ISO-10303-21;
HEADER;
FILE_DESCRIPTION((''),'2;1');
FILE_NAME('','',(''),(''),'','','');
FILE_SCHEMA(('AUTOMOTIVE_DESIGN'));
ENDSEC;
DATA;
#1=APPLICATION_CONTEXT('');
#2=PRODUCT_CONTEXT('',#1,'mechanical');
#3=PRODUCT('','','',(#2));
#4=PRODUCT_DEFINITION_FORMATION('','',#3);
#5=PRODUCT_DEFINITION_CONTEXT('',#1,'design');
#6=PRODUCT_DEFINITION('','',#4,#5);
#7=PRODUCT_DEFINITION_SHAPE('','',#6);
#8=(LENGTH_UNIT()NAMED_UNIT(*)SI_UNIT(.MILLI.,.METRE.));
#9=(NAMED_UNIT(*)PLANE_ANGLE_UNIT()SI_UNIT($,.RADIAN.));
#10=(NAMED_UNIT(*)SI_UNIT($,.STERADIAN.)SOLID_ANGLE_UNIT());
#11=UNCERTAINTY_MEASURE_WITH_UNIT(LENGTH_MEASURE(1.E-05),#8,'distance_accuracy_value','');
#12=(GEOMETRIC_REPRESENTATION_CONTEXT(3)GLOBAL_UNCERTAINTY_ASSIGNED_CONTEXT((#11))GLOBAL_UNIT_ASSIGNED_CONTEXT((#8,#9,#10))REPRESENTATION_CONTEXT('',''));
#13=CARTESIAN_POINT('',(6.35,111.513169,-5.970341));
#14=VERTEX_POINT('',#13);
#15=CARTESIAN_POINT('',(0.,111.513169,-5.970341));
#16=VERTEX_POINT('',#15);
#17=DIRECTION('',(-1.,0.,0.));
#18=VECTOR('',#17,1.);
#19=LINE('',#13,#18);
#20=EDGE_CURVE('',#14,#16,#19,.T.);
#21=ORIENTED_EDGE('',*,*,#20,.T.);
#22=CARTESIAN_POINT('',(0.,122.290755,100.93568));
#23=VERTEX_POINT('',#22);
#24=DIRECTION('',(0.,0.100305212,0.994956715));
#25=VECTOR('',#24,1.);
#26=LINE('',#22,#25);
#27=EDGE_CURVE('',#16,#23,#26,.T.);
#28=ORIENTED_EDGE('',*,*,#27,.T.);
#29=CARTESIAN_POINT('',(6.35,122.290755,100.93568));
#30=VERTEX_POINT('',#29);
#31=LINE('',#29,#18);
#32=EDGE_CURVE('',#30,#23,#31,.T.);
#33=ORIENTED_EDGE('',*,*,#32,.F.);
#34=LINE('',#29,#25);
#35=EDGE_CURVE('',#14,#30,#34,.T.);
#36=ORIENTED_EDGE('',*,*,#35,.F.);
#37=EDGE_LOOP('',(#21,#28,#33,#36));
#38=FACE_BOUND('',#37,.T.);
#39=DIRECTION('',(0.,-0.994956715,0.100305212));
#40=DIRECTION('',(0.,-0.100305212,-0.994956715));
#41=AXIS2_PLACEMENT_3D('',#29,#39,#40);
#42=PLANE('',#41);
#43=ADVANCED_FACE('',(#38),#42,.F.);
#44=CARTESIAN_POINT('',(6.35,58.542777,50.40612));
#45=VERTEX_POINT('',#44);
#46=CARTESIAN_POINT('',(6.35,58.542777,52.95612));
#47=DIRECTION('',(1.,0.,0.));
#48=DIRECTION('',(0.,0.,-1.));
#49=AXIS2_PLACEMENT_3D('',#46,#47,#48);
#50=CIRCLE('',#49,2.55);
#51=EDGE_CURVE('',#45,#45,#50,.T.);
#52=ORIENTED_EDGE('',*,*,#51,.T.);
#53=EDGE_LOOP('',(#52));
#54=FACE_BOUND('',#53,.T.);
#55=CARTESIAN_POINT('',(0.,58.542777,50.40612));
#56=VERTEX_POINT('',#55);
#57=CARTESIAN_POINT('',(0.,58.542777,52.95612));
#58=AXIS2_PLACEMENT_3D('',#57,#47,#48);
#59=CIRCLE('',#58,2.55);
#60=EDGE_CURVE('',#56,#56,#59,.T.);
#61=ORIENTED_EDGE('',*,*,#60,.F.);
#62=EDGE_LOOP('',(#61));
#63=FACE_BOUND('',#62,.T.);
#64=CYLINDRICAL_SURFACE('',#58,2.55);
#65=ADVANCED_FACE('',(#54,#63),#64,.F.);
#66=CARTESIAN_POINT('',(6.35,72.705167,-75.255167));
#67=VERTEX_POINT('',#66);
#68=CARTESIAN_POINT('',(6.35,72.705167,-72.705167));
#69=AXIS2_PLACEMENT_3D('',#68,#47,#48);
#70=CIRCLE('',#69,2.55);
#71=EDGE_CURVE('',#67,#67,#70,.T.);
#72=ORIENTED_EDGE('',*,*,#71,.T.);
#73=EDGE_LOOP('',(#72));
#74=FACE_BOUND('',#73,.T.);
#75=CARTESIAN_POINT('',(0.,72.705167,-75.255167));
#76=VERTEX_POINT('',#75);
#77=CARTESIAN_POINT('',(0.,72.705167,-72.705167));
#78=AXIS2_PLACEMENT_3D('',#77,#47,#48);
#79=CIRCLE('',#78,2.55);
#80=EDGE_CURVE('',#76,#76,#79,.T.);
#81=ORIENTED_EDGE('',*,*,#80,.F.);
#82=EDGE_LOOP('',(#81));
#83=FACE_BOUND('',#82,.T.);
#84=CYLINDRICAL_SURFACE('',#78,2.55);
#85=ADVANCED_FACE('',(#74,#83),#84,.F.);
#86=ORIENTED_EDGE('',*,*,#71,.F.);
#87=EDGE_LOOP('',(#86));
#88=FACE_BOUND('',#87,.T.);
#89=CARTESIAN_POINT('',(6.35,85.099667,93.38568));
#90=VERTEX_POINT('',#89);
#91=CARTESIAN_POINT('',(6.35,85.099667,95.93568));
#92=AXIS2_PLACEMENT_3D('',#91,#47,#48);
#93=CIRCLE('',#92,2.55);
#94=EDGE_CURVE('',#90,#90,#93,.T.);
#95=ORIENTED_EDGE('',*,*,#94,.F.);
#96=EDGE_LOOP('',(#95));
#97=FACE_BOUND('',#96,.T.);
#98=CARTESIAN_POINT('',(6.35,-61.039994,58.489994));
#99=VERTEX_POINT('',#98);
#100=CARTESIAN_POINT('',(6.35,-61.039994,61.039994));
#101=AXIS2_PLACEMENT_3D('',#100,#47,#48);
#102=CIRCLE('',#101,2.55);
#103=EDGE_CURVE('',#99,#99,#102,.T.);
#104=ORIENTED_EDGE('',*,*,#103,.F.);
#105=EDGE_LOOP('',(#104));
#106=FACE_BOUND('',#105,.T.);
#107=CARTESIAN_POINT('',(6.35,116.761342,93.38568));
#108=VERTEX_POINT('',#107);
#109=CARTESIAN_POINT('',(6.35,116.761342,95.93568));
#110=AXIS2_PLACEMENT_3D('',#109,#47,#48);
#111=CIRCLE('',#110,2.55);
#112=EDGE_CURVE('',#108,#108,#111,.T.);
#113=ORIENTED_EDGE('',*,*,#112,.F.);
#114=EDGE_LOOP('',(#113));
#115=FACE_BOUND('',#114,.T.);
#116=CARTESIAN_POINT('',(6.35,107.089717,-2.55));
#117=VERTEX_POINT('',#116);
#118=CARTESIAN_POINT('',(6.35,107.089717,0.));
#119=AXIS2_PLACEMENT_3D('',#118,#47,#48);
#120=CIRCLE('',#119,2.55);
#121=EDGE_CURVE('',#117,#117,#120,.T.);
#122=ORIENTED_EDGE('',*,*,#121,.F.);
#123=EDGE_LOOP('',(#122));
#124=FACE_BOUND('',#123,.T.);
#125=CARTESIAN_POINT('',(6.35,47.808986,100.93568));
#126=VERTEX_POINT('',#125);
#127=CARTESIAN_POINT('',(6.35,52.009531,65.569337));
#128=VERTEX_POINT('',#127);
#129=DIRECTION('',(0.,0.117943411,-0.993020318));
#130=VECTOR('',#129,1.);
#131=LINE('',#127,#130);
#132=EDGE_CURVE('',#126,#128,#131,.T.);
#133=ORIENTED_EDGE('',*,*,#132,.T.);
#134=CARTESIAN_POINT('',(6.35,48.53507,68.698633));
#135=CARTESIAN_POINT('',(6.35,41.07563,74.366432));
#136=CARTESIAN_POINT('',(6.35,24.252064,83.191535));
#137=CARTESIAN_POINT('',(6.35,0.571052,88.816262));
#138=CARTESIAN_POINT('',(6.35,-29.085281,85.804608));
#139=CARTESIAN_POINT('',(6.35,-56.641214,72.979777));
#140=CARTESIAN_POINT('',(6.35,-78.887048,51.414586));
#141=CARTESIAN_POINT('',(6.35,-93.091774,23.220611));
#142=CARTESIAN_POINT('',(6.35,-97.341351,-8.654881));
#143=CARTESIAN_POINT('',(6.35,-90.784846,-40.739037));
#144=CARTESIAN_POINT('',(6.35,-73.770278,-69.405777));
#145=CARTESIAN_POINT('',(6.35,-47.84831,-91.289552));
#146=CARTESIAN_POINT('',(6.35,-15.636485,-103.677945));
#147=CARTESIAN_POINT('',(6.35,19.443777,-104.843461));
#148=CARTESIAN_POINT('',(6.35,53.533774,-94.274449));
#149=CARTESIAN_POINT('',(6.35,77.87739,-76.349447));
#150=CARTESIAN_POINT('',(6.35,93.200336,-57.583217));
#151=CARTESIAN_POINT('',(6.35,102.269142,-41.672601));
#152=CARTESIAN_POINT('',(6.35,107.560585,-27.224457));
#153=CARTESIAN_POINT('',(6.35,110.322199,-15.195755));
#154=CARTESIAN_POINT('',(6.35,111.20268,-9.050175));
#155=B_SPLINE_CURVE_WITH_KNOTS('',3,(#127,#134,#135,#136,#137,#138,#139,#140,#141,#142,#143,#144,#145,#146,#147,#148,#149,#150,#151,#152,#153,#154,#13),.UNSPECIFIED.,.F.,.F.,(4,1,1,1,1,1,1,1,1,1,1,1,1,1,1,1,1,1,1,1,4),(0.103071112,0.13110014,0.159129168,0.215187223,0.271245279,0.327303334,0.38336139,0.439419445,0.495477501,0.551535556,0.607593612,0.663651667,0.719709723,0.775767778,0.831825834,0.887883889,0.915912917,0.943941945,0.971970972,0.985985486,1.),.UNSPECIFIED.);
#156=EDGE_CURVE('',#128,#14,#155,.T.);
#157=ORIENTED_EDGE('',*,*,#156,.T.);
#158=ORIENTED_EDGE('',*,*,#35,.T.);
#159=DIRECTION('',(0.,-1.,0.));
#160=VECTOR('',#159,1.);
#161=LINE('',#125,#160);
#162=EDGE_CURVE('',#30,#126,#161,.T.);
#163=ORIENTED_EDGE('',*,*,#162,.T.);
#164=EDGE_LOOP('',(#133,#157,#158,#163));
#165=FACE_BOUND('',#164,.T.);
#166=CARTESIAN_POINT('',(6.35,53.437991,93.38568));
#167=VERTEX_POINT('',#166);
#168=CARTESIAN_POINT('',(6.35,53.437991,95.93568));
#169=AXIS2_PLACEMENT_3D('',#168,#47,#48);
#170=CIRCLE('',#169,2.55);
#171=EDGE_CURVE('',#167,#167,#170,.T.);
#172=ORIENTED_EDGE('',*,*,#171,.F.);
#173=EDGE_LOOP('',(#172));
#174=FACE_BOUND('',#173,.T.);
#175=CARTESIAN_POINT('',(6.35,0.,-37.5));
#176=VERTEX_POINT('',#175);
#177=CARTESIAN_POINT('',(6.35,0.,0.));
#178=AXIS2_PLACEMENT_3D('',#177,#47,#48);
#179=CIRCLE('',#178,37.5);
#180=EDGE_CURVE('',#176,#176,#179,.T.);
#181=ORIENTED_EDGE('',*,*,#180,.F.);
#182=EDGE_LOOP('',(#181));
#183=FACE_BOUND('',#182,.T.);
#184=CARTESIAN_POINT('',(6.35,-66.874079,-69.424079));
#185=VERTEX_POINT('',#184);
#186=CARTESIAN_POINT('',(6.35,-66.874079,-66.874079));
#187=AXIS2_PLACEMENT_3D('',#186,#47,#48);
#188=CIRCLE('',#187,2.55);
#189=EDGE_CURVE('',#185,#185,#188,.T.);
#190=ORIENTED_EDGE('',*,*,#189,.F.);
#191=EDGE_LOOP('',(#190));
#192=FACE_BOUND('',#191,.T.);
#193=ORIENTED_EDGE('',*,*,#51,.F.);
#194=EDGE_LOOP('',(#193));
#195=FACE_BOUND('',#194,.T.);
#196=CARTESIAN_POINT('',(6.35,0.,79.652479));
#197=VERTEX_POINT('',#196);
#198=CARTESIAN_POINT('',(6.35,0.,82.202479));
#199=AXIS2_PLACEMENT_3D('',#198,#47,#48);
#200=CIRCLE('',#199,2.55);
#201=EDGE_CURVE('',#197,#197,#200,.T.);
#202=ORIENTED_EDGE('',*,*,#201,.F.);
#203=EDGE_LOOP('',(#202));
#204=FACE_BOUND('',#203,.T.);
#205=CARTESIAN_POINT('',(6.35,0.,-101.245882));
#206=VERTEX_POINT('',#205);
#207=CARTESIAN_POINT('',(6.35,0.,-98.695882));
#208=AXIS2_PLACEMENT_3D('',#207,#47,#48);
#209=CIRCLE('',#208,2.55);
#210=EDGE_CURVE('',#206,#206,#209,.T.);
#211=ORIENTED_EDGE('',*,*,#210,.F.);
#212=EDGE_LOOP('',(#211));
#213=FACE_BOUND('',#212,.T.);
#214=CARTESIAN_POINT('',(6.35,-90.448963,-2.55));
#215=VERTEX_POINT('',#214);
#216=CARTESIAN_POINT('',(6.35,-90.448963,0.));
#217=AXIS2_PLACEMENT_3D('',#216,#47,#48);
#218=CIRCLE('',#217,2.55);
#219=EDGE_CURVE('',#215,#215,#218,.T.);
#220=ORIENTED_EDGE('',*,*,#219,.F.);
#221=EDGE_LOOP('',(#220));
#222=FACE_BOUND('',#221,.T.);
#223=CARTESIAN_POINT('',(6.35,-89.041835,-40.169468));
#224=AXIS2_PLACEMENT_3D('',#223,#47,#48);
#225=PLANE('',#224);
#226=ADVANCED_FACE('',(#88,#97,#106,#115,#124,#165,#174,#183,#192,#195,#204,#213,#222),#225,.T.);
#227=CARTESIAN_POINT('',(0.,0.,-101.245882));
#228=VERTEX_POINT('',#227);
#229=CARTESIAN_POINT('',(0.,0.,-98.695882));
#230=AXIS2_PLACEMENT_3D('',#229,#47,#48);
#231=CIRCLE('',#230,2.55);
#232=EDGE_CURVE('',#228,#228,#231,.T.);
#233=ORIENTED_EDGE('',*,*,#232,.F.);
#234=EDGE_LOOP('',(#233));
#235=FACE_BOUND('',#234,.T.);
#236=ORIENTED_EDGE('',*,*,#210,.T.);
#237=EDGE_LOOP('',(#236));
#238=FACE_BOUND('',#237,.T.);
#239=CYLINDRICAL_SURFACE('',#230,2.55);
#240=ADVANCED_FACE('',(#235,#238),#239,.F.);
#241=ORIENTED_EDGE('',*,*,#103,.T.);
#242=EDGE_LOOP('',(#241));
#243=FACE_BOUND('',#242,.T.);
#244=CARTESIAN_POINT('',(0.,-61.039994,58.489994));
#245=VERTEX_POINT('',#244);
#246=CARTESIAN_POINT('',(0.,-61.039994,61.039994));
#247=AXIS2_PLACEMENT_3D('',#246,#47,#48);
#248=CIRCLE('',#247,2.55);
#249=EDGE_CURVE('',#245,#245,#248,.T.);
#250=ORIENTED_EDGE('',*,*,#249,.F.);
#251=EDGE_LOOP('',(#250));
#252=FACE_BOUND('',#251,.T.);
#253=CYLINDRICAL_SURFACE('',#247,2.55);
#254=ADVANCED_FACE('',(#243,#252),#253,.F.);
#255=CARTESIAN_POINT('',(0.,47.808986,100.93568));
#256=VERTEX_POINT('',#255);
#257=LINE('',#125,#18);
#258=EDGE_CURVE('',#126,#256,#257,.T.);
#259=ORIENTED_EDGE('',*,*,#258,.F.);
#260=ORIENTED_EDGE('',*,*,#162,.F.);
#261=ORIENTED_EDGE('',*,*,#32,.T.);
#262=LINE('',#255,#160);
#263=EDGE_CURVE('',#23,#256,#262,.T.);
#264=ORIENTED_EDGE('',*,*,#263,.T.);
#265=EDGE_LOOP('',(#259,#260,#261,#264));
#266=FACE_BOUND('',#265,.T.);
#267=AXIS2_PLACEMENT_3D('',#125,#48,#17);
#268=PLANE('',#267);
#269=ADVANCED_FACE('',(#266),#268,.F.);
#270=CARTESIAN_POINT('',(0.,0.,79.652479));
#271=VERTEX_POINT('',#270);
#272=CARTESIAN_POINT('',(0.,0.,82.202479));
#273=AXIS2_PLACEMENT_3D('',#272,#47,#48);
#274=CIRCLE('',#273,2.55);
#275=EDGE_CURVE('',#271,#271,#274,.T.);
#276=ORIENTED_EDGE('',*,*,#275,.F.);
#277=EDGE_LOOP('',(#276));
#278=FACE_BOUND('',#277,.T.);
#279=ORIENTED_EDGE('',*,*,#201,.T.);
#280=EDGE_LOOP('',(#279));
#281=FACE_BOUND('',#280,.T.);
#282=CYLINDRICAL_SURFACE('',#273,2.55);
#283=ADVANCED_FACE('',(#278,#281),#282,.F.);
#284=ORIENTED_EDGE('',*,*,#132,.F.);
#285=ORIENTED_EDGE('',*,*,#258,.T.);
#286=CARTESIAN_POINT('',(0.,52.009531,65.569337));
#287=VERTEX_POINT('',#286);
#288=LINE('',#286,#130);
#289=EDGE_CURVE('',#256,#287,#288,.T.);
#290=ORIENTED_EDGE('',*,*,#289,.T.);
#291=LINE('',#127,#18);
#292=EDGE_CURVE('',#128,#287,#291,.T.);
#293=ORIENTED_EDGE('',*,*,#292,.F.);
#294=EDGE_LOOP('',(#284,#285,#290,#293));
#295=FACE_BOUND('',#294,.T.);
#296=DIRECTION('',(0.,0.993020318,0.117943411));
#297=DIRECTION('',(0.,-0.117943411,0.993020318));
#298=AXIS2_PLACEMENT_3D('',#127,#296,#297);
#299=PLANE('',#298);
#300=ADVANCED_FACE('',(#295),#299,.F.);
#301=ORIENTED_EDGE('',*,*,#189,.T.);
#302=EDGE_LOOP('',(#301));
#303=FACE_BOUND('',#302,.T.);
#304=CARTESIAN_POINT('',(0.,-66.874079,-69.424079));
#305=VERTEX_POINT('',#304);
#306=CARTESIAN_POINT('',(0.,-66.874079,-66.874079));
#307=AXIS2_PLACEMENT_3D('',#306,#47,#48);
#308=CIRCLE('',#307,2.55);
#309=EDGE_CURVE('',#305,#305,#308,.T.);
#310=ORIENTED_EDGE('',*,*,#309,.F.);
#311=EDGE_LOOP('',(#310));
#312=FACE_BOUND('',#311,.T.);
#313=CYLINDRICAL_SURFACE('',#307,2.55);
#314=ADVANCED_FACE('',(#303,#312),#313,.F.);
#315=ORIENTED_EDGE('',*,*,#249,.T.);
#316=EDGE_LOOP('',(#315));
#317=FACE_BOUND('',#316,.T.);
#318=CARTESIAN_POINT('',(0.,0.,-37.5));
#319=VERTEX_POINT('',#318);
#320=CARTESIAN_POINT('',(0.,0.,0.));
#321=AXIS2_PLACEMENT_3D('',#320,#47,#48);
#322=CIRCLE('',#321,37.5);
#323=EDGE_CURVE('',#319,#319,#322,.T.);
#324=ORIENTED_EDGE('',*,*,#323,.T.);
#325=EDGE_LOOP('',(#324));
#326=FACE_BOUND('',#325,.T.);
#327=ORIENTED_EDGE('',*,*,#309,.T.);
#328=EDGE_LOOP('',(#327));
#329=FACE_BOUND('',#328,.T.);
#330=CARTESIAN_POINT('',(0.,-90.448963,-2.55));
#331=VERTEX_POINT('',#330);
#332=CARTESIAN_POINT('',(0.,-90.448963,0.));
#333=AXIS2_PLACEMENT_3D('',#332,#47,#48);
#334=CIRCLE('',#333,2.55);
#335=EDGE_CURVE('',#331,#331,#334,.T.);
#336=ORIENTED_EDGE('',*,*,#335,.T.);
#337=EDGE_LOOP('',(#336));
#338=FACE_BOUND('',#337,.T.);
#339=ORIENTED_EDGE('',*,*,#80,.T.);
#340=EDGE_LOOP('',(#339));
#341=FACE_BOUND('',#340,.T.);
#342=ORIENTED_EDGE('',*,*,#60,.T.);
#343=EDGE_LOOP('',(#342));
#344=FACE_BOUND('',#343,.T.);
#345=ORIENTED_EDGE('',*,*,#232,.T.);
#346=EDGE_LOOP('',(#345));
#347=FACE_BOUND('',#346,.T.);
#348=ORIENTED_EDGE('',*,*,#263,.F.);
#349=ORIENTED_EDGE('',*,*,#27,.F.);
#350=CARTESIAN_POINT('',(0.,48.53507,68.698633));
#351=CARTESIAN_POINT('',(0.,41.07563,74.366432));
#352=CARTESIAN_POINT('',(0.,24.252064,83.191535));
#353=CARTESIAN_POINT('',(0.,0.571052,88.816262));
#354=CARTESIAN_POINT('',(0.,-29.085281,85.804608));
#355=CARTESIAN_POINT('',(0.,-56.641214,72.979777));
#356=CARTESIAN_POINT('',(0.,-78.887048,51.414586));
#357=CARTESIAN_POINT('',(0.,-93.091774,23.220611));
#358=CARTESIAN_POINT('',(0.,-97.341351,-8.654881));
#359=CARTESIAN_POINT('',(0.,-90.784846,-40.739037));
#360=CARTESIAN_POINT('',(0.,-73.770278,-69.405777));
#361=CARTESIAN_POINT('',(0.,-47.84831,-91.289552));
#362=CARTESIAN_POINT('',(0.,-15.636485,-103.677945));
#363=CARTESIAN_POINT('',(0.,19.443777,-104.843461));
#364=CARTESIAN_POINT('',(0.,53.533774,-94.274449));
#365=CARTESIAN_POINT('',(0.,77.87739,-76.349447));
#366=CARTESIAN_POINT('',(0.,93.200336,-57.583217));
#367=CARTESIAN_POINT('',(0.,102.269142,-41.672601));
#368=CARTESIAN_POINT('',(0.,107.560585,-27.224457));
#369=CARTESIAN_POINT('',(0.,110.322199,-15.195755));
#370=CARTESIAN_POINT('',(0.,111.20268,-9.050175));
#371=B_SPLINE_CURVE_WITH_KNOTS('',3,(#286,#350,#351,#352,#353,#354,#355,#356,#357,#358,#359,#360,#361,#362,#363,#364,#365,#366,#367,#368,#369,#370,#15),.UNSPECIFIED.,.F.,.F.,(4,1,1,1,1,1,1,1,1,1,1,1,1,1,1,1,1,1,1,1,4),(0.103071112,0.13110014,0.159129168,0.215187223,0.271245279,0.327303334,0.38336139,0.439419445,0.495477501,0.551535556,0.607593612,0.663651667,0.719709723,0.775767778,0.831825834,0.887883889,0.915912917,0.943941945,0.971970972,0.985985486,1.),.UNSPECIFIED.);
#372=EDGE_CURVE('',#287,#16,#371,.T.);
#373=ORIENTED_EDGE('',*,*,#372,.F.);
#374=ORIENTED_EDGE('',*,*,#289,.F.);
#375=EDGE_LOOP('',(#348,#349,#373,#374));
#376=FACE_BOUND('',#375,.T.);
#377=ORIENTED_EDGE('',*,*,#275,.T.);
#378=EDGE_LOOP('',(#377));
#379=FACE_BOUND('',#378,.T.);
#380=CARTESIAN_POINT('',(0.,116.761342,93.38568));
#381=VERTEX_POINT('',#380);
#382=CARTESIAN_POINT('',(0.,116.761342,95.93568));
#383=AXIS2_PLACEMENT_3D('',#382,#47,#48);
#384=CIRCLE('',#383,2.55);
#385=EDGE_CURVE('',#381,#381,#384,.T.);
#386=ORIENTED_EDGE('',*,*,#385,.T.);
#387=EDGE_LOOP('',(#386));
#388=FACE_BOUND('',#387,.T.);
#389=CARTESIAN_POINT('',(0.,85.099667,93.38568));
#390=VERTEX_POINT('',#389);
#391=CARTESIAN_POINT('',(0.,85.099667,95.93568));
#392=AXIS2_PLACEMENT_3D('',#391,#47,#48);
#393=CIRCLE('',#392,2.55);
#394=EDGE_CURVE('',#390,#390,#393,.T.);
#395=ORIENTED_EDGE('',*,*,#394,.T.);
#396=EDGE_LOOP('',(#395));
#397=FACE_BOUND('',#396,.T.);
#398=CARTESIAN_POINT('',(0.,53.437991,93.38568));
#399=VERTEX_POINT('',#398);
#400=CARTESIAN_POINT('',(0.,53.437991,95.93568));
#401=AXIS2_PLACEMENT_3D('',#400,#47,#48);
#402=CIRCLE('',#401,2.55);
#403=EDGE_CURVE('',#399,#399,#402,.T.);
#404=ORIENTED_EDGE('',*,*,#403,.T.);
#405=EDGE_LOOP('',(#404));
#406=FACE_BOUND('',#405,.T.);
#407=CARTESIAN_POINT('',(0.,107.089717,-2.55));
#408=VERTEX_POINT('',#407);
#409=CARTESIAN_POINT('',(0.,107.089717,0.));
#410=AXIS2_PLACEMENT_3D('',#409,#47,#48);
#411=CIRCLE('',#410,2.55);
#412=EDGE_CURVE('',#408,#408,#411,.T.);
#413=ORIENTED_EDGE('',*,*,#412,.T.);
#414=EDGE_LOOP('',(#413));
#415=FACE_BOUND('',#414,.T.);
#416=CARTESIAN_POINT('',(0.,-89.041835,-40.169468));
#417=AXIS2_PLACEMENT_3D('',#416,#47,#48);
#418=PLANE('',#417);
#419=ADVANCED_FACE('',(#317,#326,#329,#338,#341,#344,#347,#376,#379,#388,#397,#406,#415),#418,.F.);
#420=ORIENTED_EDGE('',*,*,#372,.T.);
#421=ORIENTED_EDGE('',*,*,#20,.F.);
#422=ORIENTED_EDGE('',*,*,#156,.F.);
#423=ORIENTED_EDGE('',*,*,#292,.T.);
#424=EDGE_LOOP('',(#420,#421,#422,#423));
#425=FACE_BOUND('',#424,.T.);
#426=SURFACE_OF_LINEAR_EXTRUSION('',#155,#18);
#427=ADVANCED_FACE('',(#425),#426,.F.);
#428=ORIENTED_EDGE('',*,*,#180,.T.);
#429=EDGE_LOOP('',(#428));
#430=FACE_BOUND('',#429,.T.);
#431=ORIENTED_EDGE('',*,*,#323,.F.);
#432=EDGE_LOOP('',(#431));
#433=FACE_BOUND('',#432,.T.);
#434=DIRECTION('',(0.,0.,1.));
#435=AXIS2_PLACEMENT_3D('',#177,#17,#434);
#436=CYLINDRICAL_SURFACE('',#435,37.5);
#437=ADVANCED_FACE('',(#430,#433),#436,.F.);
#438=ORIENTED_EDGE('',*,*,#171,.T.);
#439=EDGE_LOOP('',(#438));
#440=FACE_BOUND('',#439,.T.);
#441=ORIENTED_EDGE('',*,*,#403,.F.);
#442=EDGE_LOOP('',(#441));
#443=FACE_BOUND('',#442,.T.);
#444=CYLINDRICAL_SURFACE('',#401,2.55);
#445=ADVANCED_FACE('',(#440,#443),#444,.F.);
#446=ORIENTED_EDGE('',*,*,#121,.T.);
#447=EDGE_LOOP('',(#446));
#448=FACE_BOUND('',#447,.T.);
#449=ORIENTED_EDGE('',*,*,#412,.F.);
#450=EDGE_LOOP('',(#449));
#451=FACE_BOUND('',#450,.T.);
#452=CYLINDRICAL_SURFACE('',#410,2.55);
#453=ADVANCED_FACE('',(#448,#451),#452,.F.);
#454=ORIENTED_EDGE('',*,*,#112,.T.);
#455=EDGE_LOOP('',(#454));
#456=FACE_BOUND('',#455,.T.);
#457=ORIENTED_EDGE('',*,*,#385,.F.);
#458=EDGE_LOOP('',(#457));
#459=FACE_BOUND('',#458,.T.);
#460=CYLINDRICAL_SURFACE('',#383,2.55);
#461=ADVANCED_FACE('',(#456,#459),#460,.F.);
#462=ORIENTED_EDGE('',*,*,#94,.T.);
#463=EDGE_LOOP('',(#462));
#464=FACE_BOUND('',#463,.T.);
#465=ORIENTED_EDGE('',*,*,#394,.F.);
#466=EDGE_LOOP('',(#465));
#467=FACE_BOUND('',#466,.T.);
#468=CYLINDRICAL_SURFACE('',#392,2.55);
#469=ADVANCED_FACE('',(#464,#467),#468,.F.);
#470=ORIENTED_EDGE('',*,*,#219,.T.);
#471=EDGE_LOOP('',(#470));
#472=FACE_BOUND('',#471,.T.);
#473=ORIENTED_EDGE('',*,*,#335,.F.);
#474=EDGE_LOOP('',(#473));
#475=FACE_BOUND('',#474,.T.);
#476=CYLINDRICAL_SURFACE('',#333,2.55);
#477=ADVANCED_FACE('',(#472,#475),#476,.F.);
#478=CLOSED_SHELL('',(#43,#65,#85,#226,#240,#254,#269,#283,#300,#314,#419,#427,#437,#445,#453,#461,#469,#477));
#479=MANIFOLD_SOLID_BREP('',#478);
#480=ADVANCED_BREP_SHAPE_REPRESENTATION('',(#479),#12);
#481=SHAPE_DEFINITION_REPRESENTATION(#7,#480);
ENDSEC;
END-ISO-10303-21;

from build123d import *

# Parameters (mm, degrees)
BOSS_EXTRUDE1_DEPTH = 6.35
SKETCH11_R          = 2.55
CUT_EXTRUDE1_DEPTH  = 7.3500001
SKETCH12_R          = 37.5
CUT_EXTRUDE3_DEPTH  = 7.3500001


with BuildPart() as part:
    # Sketch10 → Boss-Extrude1 (new body)
    with BuildSketch(Plane(origin=(0, 0, 0), x_dir=(0, 0, -1), z_dir=(1, 0, 0))):
        with BuildLine():
            Line((-65.56933734, 52.009531221), (-100.935679824, 47.808985699))
            Line((-100.935679824, 47.808985699), (-100.935679824, 122.29075479))
            Line((-100.935679824, 122.29075479), (5.970340966, 111.513169224))
            add(Edge.make_bspline(
                [(5.970340966, 111.513169224), (9.050174513, 111.20267998), (15.195754527, 110.322198965), (27.224457069, 107.560584888), (41.672600889, 102.269141777), (57.583217011, 93.200335773), (76.34944741, 77.877389952), (94.274449289, 53.53377411), (104.843460982, 19.443777188), (103.677945005, -15.636484697), (91.289552438, -47.848309946), (69.405777179, -73.770277552), (40.739036605, -90.784845908), (8.654881454, -97.341351398), (-23.220610692, -93.091773694), (-51.414586087, -78.887047742), (-72.979776783, -56.641213756), (-85.804607758, -29.085280645), (-88.816261681, 0.571051967), (-83.191535024, 24.252063706), (-74.366432128, 41.075630131), (-68.698633198, 48.535069634), (-65.56933734, 52.009531221)],
                knots=[0.103071112, 0.103071112, 0.103071112, 0.103071112, 0.117085626, 0.13110014, 0.159129168, 0.187158196, 0.215187223, 0.271245279, 0.327303334, 0.38336139, 0.439419445, 0.495477501, 0.551535556, 0.607593612, 0.663651667, 0.719709723, 0.775767778, 0.831825834, 0.887883889, 0.943941945, 0.971970972, 1, 1, 1, 1], degree=3))
        make_face()
    extrude(amount=BOSS_EXTRUDE1_DEPTH)

    # Sketch11 → Cut-Extrude1 (cut, through all)
    with BuildSketch(Plane(origin=(6.35, 0, 0), x_dir=(0, 0, -1), z_dir=(1, 0, 0))):
        with Locations((-95.935679824, 116.761342324)):
            Circle(SKETCH11_R)
        with Locations((-95.935679824, 53.437991421)):
            Circle(SKETCH11_R)
        with Locations((-95.935679824, 85.099666873)):
            Circle(SKETCH11_R)
        with Locations((-52.956120261, 58.54277704)):
            Circle(SKETCH11_R)
        with Locations((0, -90.448962865)):
            Circle(SKETCH11_R)
        with Locations((-82.20247918, 0)):
            Circle(SKETCH11_R)
        with Locations((98.695882227, 0)):
            Circle(SKETCH11_R)
        with Locations((0, 107.089716811)):
            Circle(SKETCH11_R)
        with Locations((-61.03999449, -61.03999449)):
            Circle(SKETCH11_R)
        with Locations((66.874078846, -66.874078846)):
            Circle(SKETCH11_R)
        with Locations((72.70516699, 72.70516699)):
            Circle(SKETCH11_R)
    extrude(amount=-CUT_EXTRUDE1_DEPTH, mode=Mode.SUBTRACT)

    # Sketch12 → Cut-Extrude3 (cut, through all)
    with BuildSketch(Plane(origin=(0, 0, 0), x_dir=(0, 0, -1), z_dir=(1, 0, 0))):
        Circle(SKETCH12_R)
    extrude(amount=CUT_EXTRUDE3_DEPTH, mode=Mode.SUBTRACT)


solid = part.part
